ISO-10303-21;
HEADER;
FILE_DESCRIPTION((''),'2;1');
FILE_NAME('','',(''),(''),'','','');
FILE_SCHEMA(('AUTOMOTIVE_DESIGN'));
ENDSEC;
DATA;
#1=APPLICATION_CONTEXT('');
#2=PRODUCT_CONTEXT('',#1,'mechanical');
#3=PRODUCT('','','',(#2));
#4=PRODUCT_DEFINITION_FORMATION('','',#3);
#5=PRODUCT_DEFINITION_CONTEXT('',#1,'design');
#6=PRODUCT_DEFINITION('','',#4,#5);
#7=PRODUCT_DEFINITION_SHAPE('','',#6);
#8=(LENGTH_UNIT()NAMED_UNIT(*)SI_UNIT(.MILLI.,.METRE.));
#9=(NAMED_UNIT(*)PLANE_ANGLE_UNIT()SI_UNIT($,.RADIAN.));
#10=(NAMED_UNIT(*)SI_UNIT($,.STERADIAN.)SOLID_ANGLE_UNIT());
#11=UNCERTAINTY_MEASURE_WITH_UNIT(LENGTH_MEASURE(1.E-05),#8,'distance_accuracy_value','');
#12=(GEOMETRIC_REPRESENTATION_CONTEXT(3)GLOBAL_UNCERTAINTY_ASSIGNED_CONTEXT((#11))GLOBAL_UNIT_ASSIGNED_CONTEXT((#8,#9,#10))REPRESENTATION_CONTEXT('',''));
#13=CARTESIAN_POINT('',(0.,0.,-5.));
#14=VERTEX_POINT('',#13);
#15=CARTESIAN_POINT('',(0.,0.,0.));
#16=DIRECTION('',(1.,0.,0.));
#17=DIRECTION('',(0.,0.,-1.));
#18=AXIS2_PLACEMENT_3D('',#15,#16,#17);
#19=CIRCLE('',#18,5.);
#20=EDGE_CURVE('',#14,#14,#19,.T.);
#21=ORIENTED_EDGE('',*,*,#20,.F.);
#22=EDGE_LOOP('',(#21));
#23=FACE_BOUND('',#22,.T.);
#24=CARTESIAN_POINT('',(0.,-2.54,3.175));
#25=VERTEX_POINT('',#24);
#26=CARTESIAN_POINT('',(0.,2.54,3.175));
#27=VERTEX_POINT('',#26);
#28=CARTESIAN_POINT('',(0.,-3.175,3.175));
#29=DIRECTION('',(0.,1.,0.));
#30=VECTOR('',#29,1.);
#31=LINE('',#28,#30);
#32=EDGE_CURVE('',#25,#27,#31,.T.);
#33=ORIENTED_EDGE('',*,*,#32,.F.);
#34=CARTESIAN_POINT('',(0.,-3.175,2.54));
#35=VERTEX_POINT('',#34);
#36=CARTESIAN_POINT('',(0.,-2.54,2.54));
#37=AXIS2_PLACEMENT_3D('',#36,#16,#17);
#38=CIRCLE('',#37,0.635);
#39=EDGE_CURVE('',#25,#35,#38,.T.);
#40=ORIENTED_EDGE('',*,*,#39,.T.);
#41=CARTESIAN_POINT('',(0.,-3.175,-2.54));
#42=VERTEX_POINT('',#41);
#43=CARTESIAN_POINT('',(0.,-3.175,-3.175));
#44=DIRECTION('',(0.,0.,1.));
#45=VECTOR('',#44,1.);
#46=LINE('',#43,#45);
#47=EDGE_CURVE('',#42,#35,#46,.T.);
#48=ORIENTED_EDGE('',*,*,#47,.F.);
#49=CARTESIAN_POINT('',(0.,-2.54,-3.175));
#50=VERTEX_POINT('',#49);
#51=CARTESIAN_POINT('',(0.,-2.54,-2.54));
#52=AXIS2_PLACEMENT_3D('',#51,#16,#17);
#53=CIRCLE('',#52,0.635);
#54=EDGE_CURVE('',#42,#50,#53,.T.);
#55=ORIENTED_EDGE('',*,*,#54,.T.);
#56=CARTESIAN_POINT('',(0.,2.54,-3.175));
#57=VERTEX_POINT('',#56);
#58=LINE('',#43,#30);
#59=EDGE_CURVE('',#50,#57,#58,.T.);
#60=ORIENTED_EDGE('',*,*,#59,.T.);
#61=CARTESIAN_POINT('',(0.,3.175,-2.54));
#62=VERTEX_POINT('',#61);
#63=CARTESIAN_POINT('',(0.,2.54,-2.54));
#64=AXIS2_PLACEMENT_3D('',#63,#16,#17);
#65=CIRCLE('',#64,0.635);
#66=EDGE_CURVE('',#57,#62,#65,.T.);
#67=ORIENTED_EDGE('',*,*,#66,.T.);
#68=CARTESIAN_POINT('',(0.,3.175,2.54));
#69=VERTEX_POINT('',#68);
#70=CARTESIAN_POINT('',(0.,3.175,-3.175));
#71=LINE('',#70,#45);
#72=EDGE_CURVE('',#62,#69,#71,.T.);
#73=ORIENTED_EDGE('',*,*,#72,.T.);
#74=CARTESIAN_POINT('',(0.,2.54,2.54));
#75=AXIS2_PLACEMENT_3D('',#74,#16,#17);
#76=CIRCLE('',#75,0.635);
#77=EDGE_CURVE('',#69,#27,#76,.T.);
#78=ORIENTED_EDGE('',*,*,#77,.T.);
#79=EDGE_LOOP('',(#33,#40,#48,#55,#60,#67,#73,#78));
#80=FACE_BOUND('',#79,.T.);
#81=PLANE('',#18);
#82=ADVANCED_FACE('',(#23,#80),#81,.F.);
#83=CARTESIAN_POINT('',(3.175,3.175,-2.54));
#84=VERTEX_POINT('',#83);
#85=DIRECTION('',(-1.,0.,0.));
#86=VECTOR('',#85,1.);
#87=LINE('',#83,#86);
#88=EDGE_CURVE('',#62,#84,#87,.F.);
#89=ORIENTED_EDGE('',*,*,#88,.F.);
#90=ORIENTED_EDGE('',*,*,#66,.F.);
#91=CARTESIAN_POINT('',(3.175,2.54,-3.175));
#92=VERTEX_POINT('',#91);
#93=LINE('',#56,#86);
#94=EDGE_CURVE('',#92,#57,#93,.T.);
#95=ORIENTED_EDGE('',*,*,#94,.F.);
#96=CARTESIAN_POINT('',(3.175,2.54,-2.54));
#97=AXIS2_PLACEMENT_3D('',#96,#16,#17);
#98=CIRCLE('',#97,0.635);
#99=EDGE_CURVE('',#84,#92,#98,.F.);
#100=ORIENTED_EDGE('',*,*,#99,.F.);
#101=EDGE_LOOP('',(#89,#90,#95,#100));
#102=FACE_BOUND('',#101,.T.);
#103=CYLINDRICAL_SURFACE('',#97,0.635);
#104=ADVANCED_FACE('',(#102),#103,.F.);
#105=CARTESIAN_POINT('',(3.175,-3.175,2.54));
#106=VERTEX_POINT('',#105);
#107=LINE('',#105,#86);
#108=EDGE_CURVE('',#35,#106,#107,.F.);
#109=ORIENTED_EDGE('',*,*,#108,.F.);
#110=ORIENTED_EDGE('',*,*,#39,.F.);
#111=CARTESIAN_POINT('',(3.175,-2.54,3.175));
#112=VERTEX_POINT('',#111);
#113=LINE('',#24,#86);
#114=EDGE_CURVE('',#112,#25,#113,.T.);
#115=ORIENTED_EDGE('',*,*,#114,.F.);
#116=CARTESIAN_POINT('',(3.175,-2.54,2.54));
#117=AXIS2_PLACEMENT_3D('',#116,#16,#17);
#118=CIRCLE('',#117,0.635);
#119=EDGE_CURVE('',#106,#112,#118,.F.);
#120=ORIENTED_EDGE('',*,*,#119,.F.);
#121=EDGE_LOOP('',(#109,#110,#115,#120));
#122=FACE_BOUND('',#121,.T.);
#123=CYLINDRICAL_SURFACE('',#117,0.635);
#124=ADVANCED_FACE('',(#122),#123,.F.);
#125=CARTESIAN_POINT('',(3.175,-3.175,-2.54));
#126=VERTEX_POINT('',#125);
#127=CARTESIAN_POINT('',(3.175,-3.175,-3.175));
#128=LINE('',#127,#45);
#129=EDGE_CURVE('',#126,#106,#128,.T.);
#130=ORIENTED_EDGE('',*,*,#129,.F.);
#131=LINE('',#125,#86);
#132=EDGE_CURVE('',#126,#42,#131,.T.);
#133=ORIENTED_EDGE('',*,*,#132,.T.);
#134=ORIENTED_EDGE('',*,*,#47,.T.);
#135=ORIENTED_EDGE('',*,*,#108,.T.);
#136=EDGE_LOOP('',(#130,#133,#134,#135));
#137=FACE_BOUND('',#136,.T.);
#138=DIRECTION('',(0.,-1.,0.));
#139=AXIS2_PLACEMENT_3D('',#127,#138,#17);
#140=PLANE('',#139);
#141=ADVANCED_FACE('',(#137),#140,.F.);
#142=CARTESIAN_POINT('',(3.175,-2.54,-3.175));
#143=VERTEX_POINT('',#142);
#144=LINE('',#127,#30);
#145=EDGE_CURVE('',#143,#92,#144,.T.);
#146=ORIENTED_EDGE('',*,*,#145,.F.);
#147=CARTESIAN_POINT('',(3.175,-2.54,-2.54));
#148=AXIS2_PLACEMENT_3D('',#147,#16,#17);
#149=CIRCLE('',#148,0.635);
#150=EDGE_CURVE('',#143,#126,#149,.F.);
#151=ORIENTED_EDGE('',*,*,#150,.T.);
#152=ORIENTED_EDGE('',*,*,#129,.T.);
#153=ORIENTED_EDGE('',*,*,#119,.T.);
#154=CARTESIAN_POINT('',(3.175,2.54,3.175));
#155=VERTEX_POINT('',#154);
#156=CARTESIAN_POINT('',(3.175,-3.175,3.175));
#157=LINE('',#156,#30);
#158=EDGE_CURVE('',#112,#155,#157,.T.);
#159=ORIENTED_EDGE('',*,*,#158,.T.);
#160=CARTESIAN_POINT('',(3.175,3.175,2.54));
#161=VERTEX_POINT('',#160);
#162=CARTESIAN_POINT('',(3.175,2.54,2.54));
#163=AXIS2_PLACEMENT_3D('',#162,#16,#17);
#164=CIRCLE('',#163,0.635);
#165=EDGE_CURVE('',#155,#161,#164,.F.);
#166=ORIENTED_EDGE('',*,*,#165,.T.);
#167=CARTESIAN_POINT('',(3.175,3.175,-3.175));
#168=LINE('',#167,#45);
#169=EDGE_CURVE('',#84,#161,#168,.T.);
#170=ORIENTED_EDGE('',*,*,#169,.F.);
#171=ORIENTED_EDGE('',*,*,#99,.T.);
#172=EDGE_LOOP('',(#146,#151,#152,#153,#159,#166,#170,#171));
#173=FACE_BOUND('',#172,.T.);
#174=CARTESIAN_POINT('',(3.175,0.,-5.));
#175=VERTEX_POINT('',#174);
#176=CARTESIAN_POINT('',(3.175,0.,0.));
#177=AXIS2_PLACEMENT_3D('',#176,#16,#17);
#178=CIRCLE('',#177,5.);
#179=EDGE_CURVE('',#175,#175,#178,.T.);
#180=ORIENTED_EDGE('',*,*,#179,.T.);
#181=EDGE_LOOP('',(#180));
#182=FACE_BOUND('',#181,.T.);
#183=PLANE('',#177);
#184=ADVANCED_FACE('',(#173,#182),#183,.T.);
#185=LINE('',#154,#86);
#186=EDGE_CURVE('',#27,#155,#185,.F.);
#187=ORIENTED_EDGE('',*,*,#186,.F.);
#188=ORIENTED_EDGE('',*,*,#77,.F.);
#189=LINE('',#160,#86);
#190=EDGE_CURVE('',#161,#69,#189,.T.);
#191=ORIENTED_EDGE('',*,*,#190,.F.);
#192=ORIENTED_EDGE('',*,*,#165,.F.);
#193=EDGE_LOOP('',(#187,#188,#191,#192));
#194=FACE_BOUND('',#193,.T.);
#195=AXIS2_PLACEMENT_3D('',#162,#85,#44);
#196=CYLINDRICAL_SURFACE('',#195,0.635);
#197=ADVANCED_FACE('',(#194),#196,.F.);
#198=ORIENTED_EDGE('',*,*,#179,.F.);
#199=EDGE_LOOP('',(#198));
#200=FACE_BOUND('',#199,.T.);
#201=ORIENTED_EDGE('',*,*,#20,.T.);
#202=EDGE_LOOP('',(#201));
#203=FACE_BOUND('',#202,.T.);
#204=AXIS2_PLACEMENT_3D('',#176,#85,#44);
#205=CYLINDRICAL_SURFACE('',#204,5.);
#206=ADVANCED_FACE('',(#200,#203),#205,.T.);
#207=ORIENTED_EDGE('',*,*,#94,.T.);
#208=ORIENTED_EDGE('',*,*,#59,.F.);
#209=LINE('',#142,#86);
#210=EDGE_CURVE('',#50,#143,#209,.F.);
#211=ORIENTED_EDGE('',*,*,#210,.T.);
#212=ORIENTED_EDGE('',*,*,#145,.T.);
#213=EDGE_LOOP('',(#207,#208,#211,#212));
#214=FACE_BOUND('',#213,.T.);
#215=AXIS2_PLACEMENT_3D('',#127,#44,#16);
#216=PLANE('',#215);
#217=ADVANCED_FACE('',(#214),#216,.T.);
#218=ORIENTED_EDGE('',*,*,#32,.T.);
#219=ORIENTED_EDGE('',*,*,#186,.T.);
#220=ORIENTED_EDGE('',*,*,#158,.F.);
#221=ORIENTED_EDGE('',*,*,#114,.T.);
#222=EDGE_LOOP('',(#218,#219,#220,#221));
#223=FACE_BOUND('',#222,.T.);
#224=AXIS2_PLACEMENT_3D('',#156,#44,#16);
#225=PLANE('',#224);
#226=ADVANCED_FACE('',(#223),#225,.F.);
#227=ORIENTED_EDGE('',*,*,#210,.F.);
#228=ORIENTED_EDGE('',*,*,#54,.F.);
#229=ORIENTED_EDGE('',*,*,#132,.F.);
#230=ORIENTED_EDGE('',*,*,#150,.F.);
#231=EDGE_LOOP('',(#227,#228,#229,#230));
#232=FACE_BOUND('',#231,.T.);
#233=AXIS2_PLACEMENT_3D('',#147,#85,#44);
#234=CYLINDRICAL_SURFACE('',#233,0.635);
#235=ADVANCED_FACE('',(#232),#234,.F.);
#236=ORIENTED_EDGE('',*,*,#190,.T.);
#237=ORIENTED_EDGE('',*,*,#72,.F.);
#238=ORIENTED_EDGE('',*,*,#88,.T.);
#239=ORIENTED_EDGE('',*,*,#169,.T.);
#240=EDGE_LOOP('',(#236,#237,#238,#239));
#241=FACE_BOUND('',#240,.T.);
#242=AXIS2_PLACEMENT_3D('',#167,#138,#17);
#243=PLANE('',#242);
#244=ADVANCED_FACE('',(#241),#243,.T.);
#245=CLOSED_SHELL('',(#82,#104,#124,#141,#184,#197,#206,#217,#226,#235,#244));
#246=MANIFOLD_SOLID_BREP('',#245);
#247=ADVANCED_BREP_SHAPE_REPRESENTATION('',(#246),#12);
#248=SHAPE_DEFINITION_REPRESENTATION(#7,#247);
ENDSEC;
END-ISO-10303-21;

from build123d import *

# Parameters (mm, degrees)
SKETCH1_R           = 5
SKETCH1_W           = 6.35
SKETCH1_H           = 6.35
BOSS_EXTRUDE1_DEPTH = 3.175
FILLET1_R           = 0.635


with BuildPart() as part:
    # Sketch1 → Boss-Extrude1 (new body)
    with BuildSketch(Plane(origin=(0, 0, 0), x_dir=(0, 0, -1), z_dir=(1, 0, 0))):
        Circle(SKETCH1_R)
        Rectangle(SKETCH1_W, SKETCH1_H, mode=Mode.SUBTRACT)
    extrude(amount=BOSS_EXTRUDE1_DEPTH)

    # Fillet1
    fillet1_edges = [part.edges().sort_by_distance(p)[0] for p in [
        (1.5875, -3.175, 3.175),
        (1.5875, -3.175, -3.175),
        (1.5875, 3.175, -3.175),
        (1.5875, 3.175, 3.175),
    ]]
    fillet(fillet1_edges, radius=FILLET1_R)


solid = part.part
